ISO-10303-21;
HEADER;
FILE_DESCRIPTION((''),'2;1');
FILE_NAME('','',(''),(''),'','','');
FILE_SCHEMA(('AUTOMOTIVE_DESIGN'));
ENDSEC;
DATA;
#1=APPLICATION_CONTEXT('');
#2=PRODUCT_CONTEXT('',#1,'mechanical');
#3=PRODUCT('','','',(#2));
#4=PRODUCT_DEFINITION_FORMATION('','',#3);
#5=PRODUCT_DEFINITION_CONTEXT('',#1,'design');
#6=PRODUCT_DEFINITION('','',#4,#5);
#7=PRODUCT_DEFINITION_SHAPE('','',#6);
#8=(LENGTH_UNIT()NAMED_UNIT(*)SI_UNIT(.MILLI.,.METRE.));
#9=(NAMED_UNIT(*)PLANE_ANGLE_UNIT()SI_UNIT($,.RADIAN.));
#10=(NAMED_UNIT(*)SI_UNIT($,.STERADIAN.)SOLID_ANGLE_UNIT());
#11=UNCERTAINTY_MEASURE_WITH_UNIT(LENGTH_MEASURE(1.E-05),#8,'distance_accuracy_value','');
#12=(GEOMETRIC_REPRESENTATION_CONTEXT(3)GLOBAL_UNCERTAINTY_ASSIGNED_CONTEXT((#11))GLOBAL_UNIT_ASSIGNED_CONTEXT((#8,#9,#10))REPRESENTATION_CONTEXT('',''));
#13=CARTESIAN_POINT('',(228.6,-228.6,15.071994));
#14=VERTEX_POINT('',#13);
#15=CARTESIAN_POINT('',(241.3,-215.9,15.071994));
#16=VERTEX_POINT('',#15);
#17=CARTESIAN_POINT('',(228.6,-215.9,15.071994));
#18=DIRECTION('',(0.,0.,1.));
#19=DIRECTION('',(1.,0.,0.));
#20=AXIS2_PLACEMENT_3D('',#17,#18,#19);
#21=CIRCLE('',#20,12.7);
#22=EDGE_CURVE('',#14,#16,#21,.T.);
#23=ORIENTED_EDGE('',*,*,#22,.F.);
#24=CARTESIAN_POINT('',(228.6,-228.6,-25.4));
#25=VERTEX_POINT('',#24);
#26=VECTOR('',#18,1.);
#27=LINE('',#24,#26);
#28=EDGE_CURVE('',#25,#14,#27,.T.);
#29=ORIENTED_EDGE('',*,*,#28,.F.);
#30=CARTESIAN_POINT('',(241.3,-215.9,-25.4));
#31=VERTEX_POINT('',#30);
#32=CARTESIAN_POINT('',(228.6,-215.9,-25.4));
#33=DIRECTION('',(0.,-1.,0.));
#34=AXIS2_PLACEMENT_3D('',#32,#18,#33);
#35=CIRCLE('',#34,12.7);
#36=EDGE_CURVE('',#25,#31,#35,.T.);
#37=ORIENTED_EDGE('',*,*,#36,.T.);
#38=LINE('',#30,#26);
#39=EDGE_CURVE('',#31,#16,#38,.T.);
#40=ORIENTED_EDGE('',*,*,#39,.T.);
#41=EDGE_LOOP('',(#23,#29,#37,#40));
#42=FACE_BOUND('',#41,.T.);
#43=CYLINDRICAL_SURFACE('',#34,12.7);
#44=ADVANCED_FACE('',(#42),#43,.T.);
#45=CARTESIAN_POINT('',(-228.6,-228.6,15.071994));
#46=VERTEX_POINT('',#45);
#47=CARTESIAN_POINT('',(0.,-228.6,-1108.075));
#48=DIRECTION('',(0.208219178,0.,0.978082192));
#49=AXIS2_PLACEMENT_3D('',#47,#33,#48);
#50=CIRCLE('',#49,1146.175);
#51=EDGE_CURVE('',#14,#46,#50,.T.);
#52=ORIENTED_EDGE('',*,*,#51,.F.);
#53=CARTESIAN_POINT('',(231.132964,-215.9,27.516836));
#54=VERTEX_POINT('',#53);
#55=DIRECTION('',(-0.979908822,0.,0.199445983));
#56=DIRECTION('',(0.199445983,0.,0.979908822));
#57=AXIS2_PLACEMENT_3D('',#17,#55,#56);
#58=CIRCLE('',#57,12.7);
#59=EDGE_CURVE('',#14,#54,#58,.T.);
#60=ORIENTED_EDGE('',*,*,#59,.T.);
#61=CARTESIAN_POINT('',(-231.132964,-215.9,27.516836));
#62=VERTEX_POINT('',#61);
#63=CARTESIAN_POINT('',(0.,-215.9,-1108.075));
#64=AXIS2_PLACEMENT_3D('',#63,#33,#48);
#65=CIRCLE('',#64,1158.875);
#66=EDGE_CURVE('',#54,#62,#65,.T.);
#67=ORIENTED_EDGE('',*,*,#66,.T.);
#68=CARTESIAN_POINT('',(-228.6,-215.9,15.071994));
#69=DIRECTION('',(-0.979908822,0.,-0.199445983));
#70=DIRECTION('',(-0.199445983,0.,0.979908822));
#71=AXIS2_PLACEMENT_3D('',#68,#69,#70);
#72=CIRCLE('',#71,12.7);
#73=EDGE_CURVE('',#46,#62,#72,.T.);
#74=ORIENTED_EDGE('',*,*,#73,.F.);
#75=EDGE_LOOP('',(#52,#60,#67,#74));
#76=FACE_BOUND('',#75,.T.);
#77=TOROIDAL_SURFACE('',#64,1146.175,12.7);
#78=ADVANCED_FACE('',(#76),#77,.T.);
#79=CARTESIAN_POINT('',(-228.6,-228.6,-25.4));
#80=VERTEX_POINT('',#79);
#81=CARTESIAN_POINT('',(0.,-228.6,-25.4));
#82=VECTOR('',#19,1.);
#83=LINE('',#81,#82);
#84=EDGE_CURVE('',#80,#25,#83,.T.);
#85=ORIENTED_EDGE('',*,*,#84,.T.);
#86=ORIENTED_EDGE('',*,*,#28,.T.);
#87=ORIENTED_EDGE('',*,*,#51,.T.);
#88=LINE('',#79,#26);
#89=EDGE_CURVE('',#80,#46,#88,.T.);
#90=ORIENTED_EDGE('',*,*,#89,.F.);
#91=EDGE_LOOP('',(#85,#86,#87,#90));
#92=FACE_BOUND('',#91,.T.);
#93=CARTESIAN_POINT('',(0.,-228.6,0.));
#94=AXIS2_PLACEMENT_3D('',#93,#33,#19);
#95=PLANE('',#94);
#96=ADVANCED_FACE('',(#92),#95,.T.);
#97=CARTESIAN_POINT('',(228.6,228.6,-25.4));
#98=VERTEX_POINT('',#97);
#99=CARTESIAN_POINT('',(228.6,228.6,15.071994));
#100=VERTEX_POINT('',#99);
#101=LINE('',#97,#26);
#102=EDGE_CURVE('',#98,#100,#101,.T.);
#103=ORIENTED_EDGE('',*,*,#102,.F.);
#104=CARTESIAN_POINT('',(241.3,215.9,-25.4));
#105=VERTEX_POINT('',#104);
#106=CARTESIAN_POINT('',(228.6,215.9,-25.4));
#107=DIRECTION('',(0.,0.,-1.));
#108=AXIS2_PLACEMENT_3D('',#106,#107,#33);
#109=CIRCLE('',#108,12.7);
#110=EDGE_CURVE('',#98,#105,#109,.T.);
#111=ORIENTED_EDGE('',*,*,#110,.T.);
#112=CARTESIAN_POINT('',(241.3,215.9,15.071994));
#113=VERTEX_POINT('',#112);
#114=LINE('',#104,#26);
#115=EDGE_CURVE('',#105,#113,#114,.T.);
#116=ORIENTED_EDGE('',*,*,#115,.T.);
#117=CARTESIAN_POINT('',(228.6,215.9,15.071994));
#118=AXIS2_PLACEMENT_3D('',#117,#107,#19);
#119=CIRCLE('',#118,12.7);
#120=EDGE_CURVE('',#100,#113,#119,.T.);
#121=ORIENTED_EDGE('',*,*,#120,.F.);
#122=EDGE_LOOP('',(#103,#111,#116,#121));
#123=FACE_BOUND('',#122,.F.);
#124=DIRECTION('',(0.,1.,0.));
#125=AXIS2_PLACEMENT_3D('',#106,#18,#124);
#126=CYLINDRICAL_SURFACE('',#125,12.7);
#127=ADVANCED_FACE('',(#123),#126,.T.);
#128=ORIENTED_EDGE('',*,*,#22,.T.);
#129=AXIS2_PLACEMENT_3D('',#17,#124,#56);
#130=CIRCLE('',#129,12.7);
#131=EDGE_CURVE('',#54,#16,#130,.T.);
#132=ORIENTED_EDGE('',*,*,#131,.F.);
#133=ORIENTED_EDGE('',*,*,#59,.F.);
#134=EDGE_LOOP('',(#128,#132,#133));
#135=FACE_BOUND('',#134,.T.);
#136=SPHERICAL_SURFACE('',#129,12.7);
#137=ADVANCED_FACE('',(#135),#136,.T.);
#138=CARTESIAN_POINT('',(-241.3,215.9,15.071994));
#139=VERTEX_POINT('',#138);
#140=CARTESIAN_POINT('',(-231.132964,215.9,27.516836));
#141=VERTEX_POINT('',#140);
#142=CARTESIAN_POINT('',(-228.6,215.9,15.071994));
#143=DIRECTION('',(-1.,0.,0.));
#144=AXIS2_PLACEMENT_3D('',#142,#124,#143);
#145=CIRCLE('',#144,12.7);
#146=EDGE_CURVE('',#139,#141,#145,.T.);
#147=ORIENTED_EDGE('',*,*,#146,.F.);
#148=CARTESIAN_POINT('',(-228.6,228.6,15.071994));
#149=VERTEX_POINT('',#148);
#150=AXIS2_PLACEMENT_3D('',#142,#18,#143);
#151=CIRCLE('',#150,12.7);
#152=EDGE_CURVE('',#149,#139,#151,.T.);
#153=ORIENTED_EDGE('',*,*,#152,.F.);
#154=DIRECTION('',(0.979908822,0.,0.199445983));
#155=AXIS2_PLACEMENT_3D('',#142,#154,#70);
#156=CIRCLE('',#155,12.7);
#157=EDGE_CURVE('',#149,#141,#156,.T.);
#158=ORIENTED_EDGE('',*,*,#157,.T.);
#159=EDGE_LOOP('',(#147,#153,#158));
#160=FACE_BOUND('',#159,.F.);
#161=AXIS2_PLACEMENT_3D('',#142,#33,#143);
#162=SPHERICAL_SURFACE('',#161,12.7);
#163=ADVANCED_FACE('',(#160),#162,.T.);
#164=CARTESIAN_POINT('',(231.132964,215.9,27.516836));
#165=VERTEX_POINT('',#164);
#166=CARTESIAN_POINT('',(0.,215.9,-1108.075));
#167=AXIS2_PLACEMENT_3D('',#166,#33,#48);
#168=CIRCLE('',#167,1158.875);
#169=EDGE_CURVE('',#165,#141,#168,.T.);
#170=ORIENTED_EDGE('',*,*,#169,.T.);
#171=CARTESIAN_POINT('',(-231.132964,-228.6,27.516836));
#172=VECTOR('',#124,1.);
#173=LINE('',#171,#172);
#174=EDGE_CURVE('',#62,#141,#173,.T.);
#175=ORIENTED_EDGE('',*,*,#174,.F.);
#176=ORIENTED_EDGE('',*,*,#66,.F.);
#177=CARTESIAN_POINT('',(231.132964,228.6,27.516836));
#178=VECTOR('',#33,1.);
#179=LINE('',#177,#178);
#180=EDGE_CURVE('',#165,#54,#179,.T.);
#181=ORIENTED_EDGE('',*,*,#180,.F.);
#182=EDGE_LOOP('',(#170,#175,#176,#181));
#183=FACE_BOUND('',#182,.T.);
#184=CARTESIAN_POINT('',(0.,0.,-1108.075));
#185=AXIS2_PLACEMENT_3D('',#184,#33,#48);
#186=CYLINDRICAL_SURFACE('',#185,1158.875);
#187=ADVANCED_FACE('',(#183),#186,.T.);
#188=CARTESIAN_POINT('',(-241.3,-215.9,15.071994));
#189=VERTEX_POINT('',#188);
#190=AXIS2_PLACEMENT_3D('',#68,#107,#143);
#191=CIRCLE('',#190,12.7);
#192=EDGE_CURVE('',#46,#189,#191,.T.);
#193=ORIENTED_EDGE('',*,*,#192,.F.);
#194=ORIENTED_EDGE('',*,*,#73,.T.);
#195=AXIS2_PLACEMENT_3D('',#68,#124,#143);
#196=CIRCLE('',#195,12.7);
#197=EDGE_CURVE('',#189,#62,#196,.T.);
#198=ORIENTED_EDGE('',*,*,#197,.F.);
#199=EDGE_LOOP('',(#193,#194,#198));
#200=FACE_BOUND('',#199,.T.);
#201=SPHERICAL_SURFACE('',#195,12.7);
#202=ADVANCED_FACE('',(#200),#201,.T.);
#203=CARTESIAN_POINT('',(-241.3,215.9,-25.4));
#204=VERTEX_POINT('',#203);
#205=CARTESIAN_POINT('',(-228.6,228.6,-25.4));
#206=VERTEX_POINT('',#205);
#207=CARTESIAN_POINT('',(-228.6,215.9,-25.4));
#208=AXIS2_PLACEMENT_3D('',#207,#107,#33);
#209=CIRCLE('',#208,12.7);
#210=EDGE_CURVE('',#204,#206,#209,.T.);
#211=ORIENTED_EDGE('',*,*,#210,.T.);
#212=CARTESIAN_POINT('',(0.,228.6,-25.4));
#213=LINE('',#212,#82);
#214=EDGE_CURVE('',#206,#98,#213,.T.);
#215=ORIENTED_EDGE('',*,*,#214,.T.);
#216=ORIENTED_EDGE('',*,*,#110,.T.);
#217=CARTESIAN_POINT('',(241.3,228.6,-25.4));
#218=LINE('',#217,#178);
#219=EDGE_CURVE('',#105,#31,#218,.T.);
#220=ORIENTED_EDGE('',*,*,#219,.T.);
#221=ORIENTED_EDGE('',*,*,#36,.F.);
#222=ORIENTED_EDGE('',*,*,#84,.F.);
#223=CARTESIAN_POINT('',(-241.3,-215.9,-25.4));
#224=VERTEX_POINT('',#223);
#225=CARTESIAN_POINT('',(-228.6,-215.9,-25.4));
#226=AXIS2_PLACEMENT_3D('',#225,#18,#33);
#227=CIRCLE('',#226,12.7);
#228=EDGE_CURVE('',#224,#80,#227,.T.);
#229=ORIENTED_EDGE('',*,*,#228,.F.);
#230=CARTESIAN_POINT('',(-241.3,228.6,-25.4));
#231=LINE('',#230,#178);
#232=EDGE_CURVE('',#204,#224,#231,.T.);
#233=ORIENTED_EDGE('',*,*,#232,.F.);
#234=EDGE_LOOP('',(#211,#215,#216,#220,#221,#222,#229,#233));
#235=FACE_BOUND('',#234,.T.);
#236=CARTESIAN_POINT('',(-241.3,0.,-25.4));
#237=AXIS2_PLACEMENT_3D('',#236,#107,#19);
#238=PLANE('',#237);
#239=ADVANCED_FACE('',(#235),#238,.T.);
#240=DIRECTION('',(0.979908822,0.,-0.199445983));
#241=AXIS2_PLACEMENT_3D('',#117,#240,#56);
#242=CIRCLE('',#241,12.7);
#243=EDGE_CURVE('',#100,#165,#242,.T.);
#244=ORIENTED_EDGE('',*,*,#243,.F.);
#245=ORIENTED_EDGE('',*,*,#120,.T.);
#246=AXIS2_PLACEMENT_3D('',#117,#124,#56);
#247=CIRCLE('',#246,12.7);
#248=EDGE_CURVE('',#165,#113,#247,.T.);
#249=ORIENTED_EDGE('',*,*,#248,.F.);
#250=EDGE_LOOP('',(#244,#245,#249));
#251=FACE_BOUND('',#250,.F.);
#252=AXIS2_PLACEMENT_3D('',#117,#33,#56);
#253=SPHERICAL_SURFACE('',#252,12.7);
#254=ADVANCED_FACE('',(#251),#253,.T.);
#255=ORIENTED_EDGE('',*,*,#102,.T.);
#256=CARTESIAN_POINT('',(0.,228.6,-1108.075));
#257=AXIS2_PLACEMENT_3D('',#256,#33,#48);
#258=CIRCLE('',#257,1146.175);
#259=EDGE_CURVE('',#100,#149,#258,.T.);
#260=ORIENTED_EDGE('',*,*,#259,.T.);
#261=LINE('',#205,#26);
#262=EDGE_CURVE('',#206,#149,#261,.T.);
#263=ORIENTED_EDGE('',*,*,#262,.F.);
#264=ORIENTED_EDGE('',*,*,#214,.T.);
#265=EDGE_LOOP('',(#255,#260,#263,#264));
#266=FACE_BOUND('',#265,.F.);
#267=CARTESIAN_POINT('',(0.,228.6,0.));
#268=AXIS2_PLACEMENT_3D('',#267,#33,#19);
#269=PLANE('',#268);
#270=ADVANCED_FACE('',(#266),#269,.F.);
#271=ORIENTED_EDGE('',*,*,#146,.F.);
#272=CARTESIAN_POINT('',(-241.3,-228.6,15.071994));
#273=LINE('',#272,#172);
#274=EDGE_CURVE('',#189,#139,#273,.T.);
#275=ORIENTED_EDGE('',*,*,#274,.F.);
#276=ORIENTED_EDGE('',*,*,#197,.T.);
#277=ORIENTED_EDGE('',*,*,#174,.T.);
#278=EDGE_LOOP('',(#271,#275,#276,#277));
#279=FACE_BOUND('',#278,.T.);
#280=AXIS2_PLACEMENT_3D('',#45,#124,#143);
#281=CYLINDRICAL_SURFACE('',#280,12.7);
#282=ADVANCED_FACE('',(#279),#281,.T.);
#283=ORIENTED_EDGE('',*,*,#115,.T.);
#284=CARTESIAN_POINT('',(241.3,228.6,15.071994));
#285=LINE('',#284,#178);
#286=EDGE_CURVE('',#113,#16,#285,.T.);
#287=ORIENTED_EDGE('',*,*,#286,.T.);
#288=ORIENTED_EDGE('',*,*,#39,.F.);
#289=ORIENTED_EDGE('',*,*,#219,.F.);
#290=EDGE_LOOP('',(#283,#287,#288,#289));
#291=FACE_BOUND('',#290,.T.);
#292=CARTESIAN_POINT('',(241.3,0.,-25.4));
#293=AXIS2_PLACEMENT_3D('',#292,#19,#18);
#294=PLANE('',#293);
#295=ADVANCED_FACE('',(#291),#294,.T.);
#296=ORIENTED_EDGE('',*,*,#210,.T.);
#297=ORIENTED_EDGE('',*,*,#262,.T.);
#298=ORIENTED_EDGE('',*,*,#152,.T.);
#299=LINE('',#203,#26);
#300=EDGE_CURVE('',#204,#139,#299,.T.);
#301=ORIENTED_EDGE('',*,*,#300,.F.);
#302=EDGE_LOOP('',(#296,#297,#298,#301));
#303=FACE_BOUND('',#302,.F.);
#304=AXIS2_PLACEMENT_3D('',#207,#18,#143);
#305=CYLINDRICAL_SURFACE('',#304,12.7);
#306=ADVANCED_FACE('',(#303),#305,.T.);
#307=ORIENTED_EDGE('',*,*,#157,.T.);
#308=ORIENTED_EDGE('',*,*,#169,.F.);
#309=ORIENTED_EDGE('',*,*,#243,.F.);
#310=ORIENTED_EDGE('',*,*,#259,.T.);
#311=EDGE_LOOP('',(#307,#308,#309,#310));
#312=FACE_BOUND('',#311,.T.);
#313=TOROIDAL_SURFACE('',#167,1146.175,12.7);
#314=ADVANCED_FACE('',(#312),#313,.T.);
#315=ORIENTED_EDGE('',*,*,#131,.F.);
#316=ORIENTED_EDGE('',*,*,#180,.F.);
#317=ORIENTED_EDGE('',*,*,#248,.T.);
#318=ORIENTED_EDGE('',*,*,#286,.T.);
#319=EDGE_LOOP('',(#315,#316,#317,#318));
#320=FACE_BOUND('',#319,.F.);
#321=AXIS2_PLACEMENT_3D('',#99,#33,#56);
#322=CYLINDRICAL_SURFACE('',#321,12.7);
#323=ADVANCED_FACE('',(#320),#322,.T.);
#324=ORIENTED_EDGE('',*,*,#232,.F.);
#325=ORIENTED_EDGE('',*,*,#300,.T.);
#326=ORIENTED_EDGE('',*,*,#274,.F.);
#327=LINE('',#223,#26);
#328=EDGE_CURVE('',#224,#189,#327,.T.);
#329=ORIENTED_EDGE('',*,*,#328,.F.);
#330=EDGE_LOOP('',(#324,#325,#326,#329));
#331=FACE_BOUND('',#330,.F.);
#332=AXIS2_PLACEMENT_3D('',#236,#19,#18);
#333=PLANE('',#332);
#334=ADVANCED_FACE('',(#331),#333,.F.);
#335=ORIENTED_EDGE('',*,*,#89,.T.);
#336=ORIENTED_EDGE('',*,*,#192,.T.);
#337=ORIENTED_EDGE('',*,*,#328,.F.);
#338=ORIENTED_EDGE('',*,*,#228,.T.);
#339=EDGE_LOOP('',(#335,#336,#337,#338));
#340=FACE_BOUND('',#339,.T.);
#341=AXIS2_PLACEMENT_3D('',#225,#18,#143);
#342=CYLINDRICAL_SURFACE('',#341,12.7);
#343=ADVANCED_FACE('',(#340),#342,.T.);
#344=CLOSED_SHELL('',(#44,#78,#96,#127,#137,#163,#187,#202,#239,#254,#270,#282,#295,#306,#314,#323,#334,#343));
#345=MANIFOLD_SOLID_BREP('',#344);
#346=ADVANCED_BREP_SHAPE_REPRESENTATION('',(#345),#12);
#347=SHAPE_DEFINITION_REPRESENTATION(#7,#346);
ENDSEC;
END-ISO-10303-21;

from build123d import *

# Parameters (mm, degrees)
F1_DEPTH = 228.6
F0_W     = 482.6
F0_H     = 50.8
F2_DEPTH = 228.6
F3_R     = 12.7


with BuildPart() as f1:
    # F0 (on Front) → F1 (new body, symmetric)
    with BuildSketch(Plane.XZ):
        with BuildLine():
            Line((-241.3, 25.4), (241.3, 25.4))
            ThreePointArc((241.3, 25.4), (0, 50.8), (-241.3, 25.4))
        make_face()
    extrude(amount=F1_DEPTH, both=True)

    # F0 (on Front) → F2 (join, symmetric)
    with BuildSketch(Plane.XZ):
        Rectangle(F0_W, F0_H)
        with BuildLine():
            Line((-241.3, 25.4), (241.3, 25.4))
            ThreePointArc((241.3, 25.4), (0, 50.8), (-241.3, 25.4))
        make_face()
    extrude(amount=F2_DEPTH, both=True)

    # F3
    f3_edges = [f1.edges().sort_by_distance(p)[0] for p in [
        (-241.3, 228.6, 0),
        (-241.3, -228.6, 0),
        (241.3, 228.6, 0),
        (241.3, -228.6, 0),
        (241.3, 0, 25.4),
        (0, -228.6, 50.8),
        (0, 228.6, 50.8),
        (-241.3, 0, 25.4),
    ]]
    fillet(f3_edges, radius=F3_R)


solid = f1.part
